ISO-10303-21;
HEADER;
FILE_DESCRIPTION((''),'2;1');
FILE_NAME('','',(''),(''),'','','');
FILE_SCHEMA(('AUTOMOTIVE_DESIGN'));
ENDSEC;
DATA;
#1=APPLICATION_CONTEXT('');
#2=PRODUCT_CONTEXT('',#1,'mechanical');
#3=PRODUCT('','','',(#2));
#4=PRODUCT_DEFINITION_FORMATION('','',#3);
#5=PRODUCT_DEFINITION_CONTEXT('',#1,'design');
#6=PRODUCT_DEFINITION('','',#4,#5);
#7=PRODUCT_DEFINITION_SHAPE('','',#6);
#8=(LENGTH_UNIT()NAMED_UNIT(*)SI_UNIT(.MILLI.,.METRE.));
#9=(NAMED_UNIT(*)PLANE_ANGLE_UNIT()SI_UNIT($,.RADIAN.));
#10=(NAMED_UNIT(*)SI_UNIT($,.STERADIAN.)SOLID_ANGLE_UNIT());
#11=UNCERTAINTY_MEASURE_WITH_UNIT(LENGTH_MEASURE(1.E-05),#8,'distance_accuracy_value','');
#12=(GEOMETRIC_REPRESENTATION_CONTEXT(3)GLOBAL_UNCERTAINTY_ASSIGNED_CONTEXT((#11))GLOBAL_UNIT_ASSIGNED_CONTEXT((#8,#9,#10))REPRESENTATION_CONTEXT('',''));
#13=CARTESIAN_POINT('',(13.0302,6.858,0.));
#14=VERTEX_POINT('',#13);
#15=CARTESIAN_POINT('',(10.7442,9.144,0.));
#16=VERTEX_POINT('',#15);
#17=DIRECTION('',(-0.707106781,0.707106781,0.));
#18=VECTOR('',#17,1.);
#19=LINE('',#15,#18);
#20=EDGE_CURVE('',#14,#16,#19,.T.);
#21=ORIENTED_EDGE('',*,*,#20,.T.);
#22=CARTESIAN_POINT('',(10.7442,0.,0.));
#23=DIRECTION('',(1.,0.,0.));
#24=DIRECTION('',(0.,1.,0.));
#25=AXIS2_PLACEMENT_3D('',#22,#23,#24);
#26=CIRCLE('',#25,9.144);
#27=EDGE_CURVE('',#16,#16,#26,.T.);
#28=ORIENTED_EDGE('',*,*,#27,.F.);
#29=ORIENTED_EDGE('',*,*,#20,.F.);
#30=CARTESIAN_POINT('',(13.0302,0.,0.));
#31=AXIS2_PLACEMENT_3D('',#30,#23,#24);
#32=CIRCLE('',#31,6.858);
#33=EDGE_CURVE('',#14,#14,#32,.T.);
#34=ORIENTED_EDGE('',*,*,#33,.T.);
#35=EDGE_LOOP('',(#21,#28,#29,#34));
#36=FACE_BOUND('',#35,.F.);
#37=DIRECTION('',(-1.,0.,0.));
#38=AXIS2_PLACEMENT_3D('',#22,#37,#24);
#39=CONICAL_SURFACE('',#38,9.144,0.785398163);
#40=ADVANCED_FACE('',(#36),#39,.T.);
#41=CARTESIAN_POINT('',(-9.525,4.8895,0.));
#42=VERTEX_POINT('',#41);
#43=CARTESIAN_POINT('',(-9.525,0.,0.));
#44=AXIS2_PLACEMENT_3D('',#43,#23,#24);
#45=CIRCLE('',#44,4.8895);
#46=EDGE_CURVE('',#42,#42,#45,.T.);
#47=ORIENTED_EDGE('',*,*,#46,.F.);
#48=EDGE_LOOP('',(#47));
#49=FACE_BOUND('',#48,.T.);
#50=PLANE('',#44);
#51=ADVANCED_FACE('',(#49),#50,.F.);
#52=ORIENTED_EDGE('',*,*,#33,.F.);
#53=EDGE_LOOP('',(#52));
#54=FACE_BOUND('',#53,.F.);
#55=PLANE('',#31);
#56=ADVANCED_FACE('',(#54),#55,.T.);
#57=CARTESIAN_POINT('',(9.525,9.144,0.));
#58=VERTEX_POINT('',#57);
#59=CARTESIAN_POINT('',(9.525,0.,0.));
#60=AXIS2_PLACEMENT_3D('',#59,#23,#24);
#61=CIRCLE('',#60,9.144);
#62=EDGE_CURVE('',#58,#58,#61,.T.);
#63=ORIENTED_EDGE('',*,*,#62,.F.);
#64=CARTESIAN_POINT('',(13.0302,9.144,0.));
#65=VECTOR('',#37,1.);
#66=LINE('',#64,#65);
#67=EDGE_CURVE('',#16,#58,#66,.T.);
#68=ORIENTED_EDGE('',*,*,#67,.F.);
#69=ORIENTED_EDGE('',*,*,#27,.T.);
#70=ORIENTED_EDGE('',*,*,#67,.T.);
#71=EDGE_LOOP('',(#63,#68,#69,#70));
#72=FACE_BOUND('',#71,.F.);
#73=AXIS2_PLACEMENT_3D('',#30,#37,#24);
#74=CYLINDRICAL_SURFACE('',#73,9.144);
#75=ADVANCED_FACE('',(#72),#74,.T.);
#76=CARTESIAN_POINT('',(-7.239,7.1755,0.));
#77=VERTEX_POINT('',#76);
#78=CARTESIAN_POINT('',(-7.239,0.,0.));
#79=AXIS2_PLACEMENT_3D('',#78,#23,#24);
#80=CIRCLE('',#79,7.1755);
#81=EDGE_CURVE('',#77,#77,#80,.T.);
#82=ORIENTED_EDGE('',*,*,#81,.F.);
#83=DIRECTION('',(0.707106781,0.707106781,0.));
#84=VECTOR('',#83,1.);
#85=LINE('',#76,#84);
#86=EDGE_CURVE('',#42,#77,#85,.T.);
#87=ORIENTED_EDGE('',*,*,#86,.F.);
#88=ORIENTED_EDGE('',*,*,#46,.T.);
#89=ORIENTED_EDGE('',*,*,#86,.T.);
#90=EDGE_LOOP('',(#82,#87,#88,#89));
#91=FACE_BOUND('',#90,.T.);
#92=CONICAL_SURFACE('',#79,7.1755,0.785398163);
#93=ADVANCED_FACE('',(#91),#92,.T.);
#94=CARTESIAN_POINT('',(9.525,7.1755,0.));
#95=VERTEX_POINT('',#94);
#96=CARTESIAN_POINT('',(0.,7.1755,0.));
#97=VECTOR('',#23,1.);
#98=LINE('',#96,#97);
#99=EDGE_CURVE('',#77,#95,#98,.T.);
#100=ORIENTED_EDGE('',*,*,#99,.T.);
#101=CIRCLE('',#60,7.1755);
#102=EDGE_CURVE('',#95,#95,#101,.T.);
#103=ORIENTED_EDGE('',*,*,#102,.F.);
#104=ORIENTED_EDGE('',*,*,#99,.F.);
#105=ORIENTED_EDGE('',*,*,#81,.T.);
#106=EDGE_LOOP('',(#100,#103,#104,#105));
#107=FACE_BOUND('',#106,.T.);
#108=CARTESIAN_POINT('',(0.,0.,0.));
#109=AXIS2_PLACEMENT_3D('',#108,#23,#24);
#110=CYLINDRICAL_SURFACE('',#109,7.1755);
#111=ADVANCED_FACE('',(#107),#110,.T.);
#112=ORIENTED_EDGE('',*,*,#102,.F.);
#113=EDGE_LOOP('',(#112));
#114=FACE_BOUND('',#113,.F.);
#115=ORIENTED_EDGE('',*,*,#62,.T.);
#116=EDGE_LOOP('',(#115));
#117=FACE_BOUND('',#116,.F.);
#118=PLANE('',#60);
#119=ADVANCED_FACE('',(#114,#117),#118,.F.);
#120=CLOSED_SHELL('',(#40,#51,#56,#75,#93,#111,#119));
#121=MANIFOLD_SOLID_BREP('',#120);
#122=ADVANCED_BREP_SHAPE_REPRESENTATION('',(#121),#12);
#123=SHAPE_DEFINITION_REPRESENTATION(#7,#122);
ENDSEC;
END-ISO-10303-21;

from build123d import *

# Parameters (mm, degrees)
F0_W    = 19.05
F0_H    = 7.1755
F2_SIZE = 2.286


with BuildPart() as f1:
    # F0 (on Top) → F1 (revolve)
    with BuildSketch(Plane.XY):
        with Locations((0, 3.58775)):
            Rectangle(F0_W, F0_H)
        Polygon((9.525, 7.1755), (9.525, 0), (13.0302, 0), (13.0302, 9.144), (9.525, 9.144), align=None)
    revolve(axis=Axis((6.400125, 0, 0), (1, 0, 0)))

    # F2
    f2_edges = [f1.edges().sort_by_distance(p)[0] for p in [
        (13.0302, -9.144, 0),
        (-9.525, -7.1755, 0),
    ]]
    chamfer(f2_edges, length=F2_SIZE)


solid = f1.part
